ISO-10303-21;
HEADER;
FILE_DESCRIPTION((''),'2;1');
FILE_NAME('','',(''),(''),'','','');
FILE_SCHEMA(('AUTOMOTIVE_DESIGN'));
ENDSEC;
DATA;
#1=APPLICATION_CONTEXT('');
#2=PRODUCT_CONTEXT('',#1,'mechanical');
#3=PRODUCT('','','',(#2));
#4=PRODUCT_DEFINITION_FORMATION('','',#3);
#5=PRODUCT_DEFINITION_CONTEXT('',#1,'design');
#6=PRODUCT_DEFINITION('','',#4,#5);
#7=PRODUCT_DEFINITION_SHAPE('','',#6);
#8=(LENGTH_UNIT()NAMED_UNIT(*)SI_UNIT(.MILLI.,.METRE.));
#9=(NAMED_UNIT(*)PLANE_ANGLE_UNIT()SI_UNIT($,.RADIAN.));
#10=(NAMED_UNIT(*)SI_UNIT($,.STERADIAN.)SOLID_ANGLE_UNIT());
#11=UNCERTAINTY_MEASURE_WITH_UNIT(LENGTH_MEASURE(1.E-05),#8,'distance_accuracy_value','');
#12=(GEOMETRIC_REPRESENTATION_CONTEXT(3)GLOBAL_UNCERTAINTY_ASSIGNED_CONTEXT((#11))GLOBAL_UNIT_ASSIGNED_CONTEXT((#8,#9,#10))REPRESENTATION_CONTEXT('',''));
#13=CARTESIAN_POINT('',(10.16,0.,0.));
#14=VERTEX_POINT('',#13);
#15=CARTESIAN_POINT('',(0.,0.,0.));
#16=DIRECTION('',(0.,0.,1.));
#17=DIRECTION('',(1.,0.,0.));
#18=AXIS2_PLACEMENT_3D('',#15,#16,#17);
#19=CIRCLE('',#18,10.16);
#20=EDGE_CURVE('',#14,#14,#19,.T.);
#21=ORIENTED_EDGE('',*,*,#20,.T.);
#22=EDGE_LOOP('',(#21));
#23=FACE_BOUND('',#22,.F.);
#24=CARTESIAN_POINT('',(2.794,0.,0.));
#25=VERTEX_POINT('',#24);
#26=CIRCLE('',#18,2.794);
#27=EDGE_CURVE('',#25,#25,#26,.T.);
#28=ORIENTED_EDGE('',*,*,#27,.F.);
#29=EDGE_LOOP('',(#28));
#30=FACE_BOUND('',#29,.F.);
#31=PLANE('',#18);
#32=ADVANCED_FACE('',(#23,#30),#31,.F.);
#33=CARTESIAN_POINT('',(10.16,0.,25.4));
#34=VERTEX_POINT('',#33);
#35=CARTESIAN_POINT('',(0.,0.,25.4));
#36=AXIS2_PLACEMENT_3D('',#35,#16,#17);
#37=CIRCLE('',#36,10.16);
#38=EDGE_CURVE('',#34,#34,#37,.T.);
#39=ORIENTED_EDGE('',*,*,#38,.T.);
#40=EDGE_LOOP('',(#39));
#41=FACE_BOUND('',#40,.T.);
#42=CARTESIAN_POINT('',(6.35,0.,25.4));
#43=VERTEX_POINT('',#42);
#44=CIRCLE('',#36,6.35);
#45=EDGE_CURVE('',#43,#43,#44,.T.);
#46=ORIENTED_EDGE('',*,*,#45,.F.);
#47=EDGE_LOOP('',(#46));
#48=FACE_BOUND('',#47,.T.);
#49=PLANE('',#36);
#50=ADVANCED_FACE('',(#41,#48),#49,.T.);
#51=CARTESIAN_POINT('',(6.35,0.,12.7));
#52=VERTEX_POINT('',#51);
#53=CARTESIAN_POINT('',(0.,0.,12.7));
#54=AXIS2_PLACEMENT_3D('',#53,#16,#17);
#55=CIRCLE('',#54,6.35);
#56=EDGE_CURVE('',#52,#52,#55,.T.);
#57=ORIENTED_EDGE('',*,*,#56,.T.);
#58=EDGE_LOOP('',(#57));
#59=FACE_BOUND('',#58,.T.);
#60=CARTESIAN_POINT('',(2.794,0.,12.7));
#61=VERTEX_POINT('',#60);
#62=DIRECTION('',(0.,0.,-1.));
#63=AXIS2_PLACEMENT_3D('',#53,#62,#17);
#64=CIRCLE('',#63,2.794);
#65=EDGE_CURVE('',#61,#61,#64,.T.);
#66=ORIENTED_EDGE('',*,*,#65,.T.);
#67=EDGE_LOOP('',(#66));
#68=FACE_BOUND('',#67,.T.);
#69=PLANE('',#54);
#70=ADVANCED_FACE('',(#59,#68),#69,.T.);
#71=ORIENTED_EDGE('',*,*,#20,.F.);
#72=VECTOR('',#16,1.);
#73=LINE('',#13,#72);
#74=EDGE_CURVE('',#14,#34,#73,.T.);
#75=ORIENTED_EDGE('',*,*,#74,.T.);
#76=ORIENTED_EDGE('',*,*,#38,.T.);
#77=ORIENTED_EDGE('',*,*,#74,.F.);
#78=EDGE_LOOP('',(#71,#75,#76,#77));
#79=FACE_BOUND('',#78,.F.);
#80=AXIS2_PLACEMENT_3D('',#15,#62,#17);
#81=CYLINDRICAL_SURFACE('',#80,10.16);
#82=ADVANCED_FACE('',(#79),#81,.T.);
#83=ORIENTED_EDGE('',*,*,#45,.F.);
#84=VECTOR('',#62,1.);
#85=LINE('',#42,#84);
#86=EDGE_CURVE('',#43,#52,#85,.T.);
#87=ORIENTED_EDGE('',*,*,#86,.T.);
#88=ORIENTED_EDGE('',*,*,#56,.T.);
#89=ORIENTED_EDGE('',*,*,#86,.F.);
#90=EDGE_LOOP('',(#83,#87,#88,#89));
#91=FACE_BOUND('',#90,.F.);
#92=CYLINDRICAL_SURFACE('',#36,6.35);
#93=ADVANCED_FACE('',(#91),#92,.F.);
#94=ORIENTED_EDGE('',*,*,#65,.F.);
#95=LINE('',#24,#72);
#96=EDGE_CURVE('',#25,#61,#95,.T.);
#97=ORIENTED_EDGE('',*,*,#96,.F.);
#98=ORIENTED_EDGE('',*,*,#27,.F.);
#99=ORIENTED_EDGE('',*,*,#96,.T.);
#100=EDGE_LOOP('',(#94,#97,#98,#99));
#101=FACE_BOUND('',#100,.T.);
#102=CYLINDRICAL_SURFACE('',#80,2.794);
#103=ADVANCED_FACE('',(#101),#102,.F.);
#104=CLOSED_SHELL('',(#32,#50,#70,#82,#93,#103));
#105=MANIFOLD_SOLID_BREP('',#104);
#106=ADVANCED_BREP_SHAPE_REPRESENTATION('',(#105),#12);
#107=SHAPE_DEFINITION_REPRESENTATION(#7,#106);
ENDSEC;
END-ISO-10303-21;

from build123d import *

# Parameters (mm, degrees)
F0_R     = 10.16
F1_DEPTH = 25.4
F2_R     = 2.794
F3_DEPTH = 76.2
F4_R     = 6.35
F5_DEPTH = 12.7


with BuildPart() as f1:
    # F0 (on Top) → F1 (new body)
    with BuildSketch(Plane.XY):
        Circle(F0_R)
    extrude(amount=F1_DEPTH)

    # F2 (on face) → F3 (cut)
    with BuildSketch(Plane.XY):
        Circle(F2_R)
    extrude(amount=F3_DEPTH, mode=Mode.SUBTRACT)

    # F4 (on face) → F5 (cut)
    with BuildSketch(Plane.XY.offset(25.4)):
        Circle(F4_R)
    extrude(amount=-F5_DEPTH, mode=Mode.SUBTRACT)


solid = f1.part
